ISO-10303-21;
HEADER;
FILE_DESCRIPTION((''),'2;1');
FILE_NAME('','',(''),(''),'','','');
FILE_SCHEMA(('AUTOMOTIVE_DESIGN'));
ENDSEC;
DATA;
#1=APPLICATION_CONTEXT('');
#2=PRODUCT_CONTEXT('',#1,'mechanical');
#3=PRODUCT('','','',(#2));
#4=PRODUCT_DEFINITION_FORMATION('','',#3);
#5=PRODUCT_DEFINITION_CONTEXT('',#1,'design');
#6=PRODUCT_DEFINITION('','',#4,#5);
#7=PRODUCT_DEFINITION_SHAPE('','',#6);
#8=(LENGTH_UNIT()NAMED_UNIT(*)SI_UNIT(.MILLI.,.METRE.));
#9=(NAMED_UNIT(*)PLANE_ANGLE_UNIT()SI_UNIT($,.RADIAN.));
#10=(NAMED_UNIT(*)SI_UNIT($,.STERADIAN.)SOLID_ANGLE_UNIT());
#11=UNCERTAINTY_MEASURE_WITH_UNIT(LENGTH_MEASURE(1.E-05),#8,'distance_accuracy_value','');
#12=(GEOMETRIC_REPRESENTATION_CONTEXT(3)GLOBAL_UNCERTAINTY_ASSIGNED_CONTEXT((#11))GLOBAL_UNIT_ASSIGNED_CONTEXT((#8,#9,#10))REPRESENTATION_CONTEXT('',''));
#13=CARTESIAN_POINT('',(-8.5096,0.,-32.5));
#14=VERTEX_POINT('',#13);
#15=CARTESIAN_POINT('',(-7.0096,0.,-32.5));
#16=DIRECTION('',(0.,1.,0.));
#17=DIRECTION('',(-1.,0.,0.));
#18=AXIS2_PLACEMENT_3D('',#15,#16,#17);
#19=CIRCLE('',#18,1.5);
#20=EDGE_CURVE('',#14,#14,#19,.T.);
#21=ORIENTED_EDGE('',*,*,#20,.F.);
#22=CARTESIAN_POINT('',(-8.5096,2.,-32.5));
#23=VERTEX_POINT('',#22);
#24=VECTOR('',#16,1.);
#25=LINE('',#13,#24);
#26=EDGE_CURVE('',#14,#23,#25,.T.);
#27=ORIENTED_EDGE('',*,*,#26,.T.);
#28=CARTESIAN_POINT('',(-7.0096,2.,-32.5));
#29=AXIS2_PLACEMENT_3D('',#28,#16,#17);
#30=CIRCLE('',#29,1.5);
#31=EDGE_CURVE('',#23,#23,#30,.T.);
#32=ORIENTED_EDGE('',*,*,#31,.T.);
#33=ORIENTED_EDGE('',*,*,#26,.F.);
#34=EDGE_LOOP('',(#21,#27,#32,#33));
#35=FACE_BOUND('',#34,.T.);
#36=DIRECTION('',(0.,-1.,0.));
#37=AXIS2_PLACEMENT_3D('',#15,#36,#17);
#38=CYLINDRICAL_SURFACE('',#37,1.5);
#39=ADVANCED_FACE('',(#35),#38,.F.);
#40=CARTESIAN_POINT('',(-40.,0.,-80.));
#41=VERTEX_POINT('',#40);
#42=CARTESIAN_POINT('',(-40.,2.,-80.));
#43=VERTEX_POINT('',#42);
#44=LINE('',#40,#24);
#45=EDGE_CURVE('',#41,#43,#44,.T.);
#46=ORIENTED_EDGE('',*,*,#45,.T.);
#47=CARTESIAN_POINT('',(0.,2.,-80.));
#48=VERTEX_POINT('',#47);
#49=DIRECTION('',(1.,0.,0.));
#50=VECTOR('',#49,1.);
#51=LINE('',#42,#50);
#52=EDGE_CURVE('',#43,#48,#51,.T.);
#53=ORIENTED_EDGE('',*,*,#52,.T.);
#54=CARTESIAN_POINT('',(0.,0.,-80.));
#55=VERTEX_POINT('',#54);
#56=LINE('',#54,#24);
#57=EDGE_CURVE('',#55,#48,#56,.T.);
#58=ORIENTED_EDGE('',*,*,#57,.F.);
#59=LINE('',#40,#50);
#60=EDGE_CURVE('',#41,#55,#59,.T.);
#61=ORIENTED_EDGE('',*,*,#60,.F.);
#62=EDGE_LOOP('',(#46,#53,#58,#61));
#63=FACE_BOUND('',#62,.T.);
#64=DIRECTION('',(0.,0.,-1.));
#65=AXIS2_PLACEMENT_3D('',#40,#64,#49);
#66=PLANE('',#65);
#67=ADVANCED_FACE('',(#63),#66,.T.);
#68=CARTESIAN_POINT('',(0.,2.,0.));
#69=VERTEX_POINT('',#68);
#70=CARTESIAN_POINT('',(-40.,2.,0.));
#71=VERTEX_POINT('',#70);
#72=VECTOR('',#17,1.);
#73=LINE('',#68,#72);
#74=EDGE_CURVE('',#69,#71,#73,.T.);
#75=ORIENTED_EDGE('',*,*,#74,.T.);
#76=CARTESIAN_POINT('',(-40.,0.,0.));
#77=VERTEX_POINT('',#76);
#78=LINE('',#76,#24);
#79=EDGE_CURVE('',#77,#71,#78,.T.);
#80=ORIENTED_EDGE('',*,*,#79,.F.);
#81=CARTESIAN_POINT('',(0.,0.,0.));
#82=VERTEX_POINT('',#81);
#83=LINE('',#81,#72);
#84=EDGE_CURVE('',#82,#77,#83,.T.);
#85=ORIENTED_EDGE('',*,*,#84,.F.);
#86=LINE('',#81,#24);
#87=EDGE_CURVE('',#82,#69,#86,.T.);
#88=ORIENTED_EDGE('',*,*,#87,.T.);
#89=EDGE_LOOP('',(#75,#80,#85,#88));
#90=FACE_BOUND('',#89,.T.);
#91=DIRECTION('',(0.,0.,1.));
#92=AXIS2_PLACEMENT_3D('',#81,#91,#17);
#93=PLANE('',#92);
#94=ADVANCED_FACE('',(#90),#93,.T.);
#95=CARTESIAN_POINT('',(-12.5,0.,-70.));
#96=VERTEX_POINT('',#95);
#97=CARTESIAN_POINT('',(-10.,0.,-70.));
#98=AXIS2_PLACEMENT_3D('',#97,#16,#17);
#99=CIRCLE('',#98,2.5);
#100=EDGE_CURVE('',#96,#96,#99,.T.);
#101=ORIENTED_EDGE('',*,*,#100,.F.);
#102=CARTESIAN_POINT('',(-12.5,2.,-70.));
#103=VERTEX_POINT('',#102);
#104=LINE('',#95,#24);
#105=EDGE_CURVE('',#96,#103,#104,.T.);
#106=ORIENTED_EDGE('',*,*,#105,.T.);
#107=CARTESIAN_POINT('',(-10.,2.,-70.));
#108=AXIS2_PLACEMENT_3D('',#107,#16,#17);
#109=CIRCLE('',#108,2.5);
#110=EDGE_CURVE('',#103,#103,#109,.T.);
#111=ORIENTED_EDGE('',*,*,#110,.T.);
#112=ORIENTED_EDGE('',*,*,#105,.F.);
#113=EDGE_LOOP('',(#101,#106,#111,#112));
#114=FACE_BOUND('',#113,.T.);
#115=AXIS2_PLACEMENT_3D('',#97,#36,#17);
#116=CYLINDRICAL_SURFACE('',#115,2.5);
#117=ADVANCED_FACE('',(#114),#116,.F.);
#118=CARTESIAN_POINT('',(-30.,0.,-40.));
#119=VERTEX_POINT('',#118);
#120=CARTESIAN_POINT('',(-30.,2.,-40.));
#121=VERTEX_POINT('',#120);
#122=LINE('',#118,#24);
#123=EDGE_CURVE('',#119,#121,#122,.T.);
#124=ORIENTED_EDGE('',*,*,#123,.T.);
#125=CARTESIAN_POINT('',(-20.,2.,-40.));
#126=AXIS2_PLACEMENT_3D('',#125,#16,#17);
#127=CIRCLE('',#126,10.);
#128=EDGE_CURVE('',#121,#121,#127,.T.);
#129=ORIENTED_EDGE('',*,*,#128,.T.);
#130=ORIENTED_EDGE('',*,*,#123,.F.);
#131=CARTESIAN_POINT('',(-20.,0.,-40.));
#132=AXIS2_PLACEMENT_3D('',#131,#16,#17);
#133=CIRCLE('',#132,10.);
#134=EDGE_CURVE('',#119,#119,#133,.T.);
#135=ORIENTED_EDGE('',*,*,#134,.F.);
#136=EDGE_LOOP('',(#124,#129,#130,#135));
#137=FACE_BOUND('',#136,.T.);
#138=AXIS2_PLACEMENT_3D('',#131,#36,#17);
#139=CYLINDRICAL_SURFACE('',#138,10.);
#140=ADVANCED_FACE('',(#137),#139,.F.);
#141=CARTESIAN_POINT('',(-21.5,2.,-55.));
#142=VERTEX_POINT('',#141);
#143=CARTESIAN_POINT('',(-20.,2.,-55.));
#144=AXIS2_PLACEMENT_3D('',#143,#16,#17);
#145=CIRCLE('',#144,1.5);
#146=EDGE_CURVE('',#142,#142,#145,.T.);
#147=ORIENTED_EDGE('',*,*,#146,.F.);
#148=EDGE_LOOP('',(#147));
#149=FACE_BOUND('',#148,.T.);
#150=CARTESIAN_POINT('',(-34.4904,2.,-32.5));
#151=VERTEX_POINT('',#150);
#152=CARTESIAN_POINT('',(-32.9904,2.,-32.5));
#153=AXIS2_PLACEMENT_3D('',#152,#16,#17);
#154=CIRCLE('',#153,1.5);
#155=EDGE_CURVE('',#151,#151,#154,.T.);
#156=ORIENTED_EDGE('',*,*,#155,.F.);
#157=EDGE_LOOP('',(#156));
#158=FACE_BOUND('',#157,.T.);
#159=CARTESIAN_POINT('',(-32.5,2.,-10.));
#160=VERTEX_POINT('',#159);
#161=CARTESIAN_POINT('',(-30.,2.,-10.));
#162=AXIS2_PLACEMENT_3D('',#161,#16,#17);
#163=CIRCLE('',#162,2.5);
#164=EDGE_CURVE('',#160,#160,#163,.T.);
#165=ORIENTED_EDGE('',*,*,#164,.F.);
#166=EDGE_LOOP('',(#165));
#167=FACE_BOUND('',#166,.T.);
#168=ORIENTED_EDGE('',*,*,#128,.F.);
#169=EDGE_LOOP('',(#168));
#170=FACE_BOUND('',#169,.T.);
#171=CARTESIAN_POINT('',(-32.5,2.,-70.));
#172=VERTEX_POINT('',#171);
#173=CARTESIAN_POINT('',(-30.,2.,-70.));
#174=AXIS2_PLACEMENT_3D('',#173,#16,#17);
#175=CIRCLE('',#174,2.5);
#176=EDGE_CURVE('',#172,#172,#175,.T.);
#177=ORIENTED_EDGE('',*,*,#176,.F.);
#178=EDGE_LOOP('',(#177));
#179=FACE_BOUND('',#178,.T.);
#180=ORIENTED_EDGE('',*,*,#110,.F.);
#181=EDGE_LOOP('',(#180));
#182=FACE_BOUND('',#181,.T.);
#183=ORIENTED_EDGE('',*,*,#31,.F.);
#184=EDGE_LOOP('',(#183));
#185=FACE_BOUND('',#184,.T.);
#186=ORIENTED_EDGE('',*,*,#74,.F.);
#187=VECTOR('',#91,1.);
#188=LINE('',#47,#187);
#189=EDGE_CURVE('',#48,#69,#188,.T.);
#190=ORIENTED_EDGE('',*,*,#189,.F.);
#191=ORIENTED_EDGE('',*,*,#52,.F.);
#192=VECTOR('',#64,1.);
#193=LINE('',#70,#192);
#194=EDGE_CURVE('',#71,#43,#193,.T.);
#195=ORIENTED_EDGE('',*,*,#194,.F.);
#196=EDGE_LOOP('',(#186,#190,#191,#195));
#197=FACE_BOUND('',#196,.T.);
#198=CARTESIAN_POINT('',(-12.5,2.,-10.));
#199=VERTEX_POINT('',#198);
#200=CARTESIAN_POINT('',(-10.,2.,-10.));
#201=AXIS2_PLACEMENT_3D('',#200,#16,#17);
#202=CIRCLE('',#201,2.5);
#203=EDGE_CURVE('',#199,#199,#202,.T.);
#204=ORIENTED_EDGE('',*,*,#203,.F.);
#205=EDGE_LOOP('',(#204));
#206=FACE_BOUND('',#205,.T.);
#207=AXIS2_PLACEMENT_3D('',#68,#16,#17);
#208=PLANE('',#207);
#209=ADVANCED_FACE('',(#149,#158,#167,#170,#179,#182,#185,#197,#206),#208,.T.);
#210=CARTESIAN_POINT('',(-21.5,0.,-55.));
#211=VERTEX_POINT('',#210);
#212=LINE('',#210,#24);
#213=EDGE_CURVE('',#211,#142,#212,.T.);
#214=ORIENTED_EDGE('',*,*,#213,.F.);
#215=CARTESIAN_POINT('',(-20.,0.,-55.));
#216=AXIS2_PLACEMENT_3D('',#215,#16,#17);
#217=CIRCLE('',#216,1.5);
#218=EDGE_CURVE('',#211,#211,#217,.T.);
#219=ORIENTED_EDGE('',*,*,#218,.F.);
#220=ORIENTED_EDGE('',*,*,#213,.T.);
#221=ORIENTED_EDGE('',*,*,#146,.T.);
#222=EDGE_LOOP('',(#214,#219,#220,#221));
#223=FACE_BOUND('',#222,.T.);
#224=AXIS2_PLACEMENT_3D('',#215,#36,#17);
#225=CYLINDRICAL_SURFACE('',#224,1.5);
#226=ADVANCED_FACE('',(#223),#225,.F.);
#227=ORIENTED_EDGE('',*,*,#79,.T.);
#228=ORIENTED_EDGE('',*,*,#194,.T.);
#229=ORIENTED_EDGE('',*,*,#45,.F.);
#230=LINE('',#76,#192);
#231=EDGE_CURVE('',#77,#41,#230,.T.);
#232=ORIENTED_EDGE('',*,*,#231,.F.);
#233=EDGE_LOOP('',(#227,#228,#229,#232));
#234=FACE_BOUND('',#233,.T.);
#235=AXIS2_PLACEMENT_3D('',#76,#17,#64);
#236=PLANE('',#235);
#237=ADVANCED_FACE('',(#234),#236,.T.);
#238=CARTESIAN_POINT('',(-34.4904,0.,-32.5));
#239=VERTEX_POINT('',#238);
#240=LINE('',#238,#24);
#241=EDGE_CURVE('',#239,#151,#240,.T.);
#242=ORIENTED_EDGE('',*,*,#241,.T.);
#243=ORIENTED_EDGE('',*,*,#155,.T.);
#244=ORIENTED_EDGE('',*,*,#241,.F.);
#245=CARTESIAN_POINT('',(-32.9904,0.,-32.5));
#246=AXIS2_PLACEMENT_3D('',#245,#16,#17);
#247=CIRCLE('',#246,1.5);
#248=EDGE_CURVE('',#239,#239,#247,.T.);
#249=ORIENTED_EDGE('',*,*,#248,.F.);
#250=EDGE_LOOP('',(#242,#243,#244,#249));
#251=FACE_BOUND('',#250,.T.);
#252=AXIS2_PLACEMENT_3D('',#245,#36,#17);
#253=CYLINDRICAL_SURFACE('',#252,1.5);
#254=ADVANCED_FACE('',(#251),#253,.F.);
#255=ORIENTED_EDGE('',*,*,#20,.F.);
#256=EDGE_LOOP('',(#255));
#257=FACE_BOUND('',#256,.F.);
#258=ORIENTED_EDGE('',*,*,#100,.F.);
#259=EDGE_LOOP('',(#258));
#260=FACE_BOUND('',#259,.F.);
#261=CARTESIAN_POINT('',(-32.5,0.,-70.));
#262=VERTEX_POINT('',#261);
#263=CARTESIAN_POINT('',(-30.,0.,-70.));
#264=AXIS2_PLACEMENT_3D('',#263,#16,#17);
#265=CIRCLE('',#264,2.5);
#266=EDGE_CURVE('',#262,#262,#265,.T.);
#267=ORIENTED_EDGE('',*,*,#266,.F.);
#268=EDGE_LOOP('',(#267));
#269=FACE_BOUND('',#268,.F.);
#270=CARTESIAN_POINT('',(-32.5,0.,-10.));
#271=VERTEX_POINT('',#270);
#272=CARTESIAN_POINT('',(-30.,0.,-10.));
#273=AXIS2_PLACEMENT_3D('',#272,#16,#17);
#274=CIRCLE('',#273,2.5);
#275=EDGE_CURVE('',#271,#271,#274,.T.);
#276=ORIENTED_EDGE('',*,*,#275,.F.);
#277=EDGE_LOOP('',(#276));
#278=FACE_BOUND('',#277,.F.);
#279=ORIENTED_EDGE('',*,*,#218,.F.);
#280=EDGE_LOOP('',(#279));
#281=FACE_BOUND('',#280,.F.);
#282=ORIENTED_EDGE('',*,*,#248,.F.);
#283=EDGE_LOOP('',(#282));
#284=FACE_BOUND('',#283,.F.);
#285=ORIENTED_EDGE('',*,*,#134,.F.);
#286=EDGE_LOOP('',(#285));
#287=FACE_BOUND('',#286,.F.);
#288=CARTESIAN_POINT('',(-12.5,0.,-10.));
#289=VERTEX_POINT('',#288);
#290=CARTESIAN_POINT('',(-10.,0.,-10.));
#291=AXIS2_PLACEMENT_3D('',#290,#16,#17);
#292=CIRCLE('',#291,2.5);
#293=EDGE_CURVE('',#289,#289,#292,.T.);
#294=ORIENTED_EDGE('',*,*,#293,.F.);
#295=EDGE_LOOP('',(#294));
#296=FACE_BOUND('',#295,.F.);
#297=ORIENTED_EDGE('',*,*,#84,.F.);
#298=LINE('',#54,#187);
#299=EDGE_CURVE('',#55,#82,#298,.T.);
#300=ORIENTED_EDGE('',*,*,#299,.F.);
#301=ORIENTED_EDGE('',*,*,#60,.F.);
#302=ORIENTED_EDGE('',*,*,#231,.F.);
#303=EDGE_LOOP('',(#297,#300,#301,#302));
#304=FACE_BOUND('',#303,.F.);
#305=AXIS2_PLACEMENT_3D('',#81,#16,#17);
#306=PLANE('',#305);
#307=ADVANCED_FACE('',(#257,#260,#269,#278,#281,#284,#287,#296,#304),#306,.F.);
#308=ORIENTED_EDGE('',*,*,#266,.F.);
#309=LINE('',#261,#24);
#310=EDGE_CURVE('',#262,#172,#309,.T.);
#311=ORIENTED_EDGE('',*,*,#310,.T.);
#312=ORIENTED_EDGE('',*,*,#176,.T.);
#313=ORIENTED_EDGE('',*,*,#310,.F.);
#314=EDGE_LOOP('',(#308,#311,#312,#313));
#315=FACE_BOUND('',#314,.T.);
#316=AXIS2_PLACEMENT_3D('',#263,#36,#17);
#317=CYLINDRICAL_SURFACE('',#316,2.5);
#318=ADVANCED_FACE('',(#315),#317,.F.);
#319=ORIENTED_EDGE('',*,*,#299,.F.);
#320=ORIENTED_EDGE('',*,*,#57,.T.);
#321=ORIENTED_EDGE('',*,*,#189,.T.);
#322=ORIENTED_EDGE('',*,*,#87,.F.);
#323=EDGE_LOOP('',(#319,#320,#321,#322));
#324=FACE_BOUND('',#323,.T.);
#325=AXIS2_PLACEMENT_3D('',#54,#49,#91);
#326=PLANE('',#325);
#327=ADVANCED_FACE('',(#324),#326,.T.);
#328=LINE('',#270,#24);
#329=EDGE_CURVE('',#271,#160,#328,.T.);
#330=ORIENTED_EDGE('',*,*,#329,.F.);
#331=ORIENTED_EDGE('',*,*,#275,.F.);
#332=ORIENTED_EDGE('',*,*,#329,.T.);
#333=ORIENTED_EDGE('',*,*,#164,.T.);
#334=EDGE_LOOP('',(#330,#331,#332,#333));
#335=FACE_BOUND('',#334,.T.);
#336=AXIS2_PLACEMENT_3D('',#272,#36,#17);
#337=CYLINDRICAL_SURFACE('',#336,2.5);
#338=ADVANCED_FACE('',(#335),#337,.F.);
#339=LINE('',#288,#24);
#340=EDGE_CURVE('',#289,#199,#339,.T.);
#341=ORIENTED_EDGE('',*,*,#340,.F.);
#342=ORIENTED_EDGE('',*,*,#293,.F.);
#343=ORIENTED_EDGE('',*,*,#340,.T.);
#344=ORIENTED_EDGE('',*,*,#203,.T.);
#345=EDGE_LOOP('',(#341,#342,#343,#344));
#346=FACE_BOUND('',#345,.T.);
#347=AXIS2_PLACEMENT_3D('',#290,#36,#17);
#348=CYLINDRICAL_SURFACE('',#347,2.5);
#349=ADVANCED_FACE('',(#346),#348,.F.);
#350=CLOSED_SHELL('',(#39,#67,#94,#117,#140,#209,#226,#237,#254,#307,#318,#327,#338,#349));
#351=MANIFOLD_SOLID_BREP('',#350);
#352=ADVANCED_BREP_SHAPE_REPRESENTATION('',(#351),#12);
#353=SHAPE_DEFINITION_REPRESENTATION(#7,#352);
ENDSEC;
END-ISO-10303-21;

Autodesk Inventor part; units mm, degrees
ref_plane "YZ Plane" through (0, 0, 0) normal (1, 0, 0) x (0, 1, 0)
ref_plane "XZ Plane" through (0, 0, 0) normal (0, 1, 0) x (-1, 0, 0)
ref_plane "XY Plane" through (0, 0, 0) normal (0, 0, 1) x (1, 0, 0)
sketch "Esboço1" plane through (0, 0, 0) normal (0, 1, 0) x (-1, 0, 0)
  line L0 (0, 0) -> (40, 0)
  line L1 (40, 0) -> (40, -80)
  line L2 (40, -80) -> (0, -80)
  line L3 (0, -80) -> (0, 0)
  circle A0 centre (30, -70) radius 2.5
  circle A1 centre (10, -70) radius 2.5
  circle A2 centre (20, -40) radius 10
  circle A3 centre (30, -10) radius 2.5
  circle A4 centre (10, -10) radius 2.5
  circle A5 centre (20, -55) radius 1.5
  circle A6 centre (32.9904, -32.5) radius 1.5
  circle A7 centre (7.0096, -32.5) radius 1.5
  point P0 (40, -40)
  dimension "d0" = 40
  dimension "d1" = 80
  dimension "d60" = 5
  dimension "d61" = 10
  dimension "d63" = 20
  dimension "d64" = 10
  dimension "d65" = 10
  dimension "d66" = 20
  dimension "d67" = 20
  dimension "d68" = 3
  dimension "d69" = 15
  dimension "d72" = 360
extrude "Extrusão1" add sketch "Esboço1" along normal blind 2
equation "\"d64\" = d61"
equation "\"d65\" = d64"
equation "\"d66\" = 0.5 * d0"
equation "\"Raio_vergadura\" = Espessura"
equation "\"Largura_alívio_de_vergadura\" = Espessura"
equation "\"Profundidade_alívio_de_vergadura\" = 0.5 * Espessura"
equation "\"Tamanho_alívio_de_dobra\" = 4 * Espessura"
equation "\"Remanescente_mínimo\" = 2 * Espessura"
equation "\"Raiodetransição\" = Raio_vergadura"
equation "\"Tamanho_de_raio_de_Jacobi\" = Raio_vergadura"
equation "\"TamanhoFolga\" = Espessura"
equation "\"Espessura\" = 0.5"
properties part number "Suporte encoder" material "Zinc"
